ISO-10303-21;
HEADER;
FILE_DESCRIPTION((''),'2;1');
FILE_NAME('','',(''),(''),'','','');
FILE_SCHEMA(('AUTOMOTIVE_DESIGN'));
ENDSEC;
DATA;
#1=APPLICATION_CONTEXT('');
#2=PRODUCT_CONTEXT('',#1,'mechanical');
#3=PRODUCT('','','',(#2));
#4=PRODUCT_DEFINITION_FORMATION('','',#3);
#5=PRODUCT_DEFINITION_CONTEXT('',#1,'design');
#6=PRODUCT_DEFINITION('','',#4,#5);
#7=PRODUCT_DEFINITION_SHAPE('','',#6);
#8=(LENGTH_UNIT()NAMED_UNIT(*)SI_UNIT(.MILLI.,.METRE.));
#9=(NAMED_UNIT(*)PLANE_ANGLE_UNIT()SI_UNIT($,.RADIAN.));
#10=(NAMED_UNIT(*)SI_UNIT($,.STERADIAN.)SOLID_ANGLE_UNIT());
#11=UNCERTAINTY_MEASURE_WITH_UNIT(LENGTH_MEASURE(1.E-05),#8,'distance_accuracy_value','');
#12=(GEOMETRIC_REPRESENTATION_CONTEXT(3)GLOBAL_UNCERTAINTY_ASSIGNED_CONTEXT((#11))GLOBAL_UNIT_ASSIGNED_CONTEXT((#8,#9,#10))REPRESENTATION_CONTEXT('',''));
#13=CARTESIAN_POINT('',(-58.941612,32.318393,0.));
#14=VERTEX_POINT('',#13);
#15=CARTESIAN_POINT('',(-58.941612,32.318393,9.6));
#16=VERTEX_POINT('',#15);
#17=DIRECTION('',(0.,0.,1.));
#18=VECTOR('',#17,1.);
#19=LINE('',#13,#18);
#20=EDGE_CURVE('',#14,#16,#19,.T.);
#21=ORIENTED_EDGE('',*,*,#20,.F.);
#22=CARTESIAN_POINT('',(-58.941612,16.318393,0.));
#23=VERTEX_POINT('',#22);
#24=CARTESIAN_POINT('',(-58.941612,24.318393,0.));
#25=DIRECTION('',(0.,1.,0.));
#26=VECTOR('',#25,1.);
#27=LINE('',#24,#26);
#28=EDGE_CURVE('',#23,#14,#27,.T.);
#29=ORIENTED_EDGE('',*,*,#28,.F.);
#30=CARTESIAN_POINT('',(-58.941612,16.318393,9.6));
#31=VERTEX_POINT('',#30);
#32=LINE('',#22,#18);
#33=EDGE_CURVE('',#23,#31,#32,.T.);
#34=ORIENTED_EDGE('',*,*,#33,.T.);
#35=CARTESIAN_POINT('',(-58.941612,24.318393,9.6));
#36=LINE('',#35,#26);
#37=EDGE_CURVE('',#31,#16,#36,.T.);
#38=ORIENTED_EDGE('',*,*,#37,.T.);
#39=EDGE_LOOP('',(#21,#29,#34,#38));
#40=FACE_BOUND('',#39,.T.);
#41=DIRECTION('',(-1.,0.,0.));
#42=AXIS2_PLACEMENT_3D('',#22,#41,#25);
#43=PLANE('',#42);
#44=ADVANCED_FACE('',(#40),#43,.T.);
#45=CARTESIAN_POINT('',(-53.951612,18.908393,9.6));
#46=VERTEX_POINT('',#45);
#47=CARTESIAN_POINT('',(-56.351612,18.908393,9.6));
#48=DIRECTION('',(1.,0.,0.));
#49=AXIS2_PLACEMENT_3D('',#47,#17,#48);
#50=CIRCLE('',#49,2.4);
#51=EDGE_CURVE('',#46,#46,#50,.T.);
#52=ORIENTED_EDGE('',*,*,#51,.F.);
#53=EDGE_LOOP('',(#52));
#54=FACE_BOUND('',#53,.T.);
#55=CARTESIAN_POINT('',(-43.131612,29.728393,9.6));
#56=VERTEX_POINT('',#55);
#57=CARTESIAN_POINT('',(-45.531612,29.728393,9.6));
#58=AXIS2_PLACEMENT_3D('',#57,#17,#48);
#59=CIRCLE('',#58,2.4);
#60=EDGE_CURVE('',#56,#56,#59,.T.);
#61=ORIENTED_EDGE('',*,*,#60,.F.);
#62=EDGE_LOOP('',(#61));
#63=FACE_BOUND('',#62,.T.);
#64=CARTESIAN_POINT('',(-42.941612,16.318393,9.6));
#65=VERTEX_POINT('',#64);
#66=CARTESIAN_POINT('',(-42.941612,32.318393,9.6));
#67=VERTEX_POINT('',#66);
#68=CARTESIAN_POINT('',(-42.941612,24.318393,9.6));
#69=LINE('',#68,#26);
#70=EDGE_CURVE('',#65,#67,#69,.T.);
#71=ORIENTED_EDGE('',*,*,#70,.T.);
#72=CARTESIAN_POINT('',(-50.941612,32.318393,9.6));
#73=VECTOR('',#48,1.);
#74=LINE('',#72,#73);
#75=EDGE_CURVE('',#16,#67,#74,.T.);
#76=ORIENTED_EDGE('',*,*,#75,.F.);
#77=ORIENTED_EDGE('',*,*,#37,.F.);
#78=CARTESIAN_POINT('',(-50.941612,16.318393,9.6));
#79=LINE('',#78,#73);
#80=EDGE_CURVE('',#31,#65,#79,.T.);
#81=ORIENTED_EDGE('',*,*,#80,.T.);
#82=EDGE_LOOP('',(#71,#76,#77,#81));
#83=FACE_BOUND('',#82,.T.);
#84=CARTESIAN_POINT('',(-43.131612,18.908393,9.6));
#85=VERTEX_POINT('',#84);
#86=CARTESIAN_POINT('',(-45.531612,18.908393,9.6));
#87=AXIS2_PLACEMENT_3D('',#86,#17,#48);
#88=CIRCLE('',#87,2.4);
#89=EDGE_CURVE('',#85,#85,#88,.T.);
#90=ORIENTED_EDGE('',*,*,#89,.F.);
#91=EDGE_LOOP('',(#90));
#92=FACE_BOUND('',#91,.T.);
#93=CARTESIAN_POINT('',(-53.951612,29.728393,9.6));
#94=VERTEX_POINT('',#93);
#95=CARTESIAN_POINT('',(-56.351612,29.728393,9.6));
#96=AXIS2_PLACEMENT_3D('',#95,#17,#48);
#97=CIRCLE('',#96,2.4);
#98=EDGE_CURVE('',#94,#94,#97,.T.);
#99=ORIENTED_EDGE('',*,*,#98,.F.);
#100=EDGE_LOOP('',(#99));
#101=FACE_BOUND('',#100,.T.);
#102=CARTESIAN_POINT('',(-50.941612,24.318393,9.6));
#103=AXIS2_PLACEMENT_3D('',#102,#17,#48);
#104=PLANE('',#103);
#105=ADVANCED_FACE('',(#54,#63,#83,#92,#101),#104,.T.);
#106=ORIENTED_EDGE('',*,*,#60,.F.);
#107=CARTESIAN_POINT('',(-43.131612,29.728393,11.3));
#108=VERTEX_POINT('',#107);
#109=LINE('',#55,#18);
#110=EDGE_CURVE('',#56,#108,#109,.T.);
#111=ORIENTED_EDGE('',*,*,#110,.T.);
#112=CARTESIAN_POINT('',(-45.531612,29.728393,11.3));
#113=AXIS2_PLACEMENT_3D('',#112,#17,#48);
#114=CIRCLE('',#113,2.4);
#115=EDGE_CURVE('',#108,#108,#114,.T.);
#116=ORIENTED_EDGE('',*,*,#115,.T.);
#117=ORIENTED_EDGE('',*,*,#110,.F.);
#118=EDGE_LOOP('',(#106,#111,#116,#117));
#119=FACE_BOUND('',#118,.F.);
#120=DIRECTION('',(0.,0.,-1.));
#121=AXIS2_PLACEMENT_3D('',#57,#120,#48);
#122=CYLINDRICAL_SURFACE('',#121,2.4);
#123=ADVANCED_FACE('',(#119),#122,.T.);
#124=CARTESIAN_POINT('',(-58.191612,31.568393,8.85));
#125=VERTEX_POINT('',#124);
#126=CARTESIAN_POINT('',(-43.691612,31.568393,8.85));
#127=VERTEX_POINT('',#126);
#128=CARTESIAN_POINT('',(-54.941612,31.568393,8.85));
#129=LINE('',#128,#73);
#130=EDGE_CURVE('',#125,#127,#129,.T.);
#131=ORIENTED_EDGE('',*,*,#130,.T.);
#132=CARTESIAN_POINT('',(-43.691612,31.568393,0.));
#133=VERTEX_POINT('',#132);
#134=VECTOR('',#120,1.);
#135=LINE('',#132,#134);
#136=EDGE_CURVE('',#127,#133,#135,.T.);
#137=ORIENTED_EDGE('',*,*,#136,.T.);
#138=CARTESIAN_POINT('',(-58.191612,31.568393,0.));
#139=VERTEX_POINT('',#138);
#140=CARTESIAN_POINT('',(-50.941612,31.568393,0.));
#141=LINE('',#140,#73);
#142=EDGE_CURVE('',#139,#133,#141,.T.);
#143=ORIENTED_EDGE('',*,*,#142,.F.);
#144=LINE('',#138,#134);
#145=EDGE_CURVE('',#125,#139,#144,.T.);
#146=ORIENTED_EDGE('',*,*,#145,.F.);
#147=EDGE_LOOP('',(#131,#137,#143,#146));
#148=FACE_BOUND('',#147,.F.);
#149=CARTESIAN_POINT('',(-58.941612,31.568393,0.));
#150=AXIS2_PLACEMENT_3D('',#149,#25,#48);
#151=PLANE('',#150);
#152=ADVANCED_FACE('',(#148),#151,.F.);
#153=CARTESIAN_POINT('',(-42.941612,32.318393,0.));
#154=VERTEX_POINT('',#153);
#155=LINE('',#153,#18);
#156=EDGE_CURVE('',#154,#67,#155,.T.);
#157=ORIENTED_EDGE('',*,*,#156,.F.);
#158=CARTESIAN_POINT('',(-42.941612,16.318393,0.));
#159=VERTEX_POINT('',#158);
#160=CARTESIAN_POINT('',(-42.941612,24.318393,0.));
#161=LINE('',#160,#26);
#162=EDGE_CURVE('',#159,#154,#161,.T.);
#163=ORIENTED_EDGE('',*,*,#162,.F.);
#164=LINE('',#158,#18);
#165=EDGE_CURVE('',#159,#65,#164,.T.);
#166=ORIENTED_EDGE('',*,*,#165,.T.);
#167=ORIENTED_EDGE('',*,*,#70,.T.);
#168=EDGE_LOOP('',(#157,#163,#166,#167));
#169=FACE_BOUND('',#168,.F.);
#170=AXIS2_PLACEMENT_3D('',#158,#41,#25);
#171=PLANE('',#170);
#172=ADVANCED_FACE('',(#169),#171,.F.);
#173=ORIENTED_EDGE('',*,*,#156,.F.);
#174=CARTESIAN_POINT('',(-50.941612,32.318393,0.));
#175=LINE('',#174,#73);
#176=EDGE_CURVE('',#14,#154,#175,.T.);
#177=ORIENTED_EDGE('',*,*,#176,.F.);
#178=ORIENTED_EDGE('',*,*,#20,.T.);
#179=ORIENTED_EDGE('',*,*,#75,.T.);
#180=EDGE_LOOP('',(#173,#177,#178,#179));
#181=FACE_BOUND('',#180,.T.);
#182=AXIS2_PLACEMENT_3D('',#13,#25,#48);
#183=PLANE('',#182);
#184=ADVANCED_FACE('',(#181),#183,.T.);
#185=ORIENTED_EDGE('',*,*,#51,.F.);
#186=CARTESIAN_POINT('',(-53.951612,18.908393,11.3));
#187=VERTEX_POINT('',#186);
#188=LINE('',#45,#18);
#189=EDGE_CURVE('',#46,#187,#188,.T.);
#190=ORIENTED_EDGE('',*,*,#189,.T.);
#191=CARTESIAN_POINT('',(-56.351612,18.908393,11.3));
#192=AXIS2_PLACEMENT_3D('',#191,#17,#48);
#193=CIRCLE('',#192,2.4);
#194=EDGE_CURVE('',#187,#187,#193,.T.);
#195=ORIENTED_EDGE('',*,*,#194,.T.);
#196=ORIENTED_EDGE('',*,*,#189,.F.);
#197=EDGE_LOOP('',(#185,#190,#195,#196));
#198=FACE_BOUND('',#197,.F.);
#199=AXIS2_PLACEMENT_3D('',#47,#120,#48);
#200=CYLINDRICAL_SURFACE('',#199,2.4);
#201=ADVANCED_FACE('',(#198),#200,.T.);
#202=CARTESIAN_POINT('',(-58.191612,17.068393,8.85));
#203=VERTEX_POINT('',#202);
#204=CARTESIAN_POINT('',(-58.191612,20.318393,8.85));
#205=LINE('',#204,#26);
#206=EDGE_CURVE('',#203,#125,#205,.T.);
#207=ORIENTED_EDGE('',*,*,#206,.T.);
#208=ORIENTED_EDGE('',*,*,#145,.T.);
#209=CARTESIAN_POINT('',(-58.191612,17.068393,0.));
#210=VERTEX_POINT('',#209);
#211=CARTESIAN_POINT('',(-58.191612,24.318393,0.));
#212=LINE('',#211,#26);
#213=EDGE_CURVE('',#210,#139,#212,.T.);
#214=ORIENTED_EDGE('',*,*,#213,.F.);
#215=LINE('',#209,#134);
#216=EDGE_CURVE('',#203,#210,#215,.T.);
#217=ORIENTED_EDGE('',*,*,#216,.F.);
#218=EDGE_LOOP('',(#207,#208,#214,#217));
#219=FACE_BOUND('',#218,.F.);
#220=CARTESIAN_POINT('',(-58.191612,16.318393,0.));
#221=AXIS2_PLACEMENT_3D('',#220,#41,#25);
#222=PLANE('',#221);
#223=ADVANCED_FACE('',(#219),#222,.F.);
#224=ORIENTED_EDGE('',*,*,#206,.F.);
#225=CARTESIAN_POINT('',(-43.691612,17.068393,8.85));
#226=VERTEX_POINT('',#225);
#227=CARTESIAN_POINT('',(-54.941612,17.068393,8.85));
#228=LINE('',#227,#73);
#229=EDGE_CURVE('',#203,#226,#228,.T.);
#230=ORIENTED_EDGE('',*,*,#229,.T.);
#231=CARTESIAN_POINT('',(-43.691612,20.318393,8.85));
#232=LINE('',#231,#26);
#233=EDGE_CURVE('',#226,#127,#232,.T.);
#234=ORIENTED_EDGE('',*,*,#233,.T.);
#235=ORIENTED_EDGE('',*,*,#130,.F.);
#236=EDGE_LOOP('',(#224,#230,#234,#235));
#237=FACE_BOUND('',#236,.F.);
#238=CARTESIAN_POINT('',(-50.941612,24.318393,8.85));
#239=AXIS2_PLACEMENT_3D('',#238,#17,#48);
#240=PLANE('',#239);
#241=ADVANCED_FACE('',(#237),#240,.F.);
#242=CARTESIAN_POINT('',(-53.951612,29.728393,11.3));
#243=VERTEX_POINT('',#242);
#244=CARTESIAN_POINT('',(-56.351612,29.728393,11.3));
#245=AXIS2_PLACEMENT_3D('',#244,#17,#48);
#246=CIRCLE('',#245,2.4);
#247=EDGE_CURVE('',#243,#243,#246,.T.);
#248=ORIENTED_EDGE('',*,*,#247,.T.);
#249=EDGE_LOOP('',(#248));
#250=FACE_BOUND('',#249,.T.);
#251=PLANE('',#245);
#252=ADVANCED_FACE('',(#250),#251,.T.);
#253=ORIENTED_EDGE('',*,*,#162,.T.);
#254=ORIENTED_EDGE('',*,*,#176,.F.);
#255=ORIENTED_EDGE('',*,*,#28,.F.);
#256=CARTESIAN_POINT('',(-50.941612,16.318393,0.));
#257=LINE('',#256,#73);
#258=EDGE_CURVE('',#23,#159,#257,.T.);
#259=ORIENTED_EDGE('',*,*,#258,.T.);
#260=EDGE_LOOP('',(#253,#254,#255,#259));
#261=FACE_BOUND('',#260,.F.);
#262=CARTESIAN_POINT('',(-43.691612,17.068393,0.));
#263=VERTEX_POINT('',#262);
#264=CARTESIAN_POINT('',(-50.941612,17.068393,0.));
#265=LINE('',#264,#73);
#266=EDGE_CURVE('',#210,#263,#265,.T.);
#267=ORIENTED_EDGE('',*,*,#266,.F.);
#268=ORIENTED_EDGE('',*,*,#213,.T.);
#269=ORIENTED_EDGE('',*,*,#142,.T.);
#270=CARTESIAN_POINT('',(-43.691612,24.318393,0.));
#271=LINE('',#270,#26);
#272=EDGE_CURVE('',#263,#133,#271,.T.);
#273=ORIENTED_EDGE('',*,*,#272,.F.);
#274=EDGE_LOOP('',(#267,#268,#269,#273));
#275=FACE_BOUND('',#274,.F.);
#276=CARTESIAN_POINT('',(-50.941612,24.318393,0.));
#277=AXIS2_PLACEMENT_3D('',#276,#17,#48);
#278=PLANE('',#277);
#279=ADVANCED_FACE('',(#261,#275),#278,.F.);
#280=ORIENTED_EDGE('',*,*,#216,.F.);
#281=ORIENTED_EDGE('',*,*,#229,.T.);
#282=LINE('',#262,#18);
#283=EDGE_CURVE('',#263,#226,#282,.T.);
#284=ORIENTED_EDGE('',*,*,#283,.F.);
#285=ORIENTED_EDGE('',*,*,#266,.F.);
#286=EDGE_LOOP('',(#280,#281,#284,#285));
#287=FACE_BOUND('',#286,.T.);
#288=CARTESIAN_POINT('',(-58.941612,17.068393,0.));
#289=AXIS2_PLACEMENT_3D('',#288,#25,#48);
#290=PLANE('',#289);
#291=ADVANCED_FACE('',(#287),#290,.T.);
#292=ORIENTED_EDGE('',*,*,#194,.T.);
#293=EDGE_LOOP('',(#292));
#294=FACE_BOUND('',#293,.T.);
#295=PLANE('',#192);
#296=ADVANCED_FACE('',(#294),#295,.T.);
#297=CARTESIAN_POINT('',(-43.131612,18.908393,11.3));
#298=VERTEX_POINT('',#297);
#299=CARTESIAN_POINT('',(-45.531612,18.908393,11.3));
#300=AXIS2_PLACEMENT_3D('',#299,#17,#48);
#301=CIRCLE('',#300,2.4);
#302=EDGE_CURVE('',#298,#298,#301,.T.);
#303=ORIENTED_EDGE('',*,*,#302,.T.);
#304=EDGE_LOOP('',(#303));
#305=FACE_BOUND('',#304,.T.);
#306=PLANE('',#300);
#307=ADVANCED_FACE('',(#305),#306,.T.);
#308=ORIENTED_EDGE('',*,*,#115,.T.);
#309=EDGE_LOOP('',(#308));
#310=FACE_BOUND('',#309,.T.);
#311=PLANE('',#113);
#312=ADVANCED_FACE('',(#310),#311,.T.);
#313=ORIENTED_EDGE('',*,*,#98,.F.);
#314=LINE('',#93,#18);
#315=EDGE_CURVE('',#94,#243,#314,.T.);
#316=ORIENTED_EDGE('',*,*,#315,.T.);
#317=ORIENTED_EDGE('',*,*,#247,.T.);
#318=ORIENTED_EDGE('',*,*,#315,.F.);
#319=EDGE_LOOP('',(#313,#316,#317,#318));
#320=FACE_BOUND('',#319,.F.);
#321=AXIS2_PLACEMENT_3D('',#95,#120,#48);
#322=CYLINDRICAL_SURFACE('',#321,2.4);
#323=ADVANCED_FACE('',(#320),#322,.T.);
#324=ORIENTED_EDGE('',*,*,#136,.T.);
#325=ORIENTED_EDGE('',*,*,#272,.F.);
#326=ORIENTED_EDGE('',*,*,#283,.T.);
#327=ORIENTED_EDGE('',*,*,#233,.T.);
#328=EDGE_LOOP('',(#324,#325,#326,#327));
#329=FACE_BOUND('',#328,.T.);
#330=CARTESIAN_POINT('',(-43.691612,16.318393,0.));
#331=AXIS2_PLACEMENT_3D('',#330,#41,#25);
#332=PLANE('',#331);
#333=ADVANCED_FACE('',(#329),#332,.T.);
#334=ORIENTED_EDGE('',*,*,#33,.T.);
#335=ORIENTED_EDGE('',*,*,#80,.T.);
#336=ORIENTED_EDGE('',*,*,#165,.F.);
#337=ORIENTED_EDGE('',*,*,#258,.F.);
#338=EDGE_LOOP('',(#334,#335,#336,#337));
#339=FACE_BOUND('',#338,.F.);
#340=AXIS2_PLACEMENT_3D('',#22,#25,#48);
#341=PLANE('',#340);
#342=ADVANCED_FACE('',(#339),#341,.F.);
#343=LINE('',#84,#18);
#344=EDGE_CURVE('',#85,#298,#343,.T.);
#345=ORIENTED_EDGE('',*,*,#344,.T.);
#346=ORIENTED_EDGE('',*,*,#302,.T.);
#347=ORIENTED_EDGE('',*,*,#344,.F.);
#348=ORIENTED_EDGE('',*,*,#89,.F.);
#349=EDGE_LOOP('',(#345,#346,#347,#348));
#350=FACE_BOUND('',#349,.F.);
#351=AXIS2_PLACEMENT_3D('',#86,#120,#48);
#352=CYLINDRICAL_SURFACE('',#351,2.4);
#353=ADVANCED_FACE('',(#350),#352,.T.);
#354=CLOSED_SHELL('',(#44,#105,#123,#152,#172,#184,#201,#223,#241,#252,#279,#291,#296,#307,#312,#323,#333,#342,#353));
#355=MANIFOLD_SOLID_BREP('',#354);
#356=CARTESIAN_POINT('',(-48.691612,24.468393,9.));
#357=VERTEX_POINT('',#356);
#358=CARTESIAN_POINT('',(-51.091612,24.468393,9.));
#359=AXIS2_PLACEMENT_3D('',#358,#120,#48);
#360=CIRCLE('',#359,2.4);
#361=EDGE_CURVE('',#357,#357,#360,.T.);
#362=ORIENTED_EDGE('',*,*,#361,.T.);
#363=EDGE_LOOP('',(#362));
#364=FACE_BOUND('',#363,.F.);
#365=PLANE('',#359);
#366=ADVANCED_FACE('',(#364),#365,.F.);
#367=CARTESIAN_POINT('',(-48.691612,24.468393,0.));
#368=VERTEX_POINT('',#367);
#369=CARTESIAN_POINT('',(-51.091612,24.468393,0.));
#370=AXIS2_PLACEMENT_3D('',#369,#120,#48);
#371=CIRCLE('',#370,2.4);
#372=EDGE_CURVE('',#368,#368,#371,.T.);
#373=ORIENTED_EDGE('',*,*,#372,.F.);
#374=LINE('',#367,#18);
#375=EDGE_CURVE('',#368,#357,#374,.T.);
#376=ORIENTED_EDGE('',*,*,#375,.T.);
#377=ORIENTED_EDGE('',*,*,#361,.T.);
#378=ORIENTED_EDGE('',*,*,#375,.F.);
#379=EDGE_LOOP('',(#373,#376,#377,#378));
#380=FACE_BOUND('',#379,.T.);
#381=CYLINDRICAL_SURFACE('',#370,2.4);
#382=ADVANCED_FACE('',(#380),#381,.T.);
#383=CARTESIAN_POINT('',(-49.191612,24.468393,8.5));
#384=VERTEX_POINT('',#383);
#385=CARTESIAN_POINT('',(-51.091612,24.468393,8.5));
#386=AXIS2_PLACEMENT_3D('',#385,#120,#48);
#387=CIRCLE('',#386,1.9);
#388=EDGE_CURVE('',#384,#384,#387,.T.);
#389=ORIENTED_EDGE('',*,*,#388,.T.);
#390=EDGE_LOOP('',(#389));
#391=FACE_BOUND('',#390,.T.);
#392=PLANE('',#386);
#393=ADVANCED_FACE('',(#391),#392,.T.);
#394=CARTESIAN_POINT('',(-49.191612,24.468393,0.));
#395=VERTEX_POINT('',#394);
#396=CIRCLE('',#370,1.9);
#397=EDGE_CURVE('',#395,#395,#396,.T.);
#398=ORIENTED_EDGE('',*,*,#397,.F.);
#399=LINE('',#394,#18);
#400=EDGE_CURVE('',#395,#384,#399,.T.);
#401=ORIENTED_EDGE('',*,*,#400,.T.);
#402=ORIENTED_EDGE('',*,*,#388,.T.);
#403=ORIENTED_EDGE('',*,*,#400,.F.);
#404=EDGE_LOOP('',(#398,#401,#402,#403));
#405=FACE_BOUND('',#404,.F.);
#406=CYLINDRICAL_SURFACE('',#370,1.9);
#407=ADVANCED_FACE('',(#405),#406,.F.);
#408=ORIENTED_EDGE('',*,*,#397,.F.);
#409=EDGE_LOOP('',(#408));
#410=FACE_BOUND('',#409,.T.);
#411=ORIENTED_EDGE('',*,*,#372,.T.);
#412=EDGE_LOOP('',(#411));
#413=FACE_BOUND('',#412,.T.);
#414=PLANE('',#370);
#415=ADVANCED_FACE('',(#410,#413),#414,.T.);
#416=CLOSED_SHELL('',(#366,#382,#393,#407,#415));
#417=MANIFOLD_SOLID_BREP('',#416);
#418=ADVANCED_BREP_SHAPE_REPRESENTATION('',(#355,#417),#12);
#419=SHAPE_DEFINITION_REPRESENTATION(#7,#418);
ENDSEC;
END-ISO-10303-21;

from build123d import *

# Parameters (mm, degrees)
F0_W      = 16
F0_H      = 16
F1_DEPTH  = 9.6
F3_T      = -0.75
F5_R      = 2.4
F6_DEPTH  = 9
F7_T      = -0.5
F8_R      = 2.4
F9_DEPTH  = 1.7
F10_R     = 2.4
F11_DEPTH = 1.7
F12_R     = 2.4
F13_DEPTH = 1.7
F14_R     = 2.4
F15_DEPTH = 1.7


with BuildPart() as f1:
    # F0 (on Top) → F1 (new body)
    with BuildSketch(Plane.XY):
        with Locations((-50.941612, 24.318393)):
            Rectangle(F0_W, F0_H)
    extrude(amount=F1_DEPTH)

    # F3
    f3_openings = [f1.faces().sort_by_distance(p)[0] for p in [
        (-50.941612, 24.318393, 0),
    ]]
    offset(amount=F3_T, openings=f3_openings)

    # F8 (on face) → F9 (join)
    with BuildSketch(Plane.XY.offset(9.6)):
        with Locations((-56.351612, 29.728393)):
            Circle(F8_R)
    extrude(amount=F9_DEPTH)

    # F10 (on face) → F11 (join)
    with BuildSketch(Plane.XY.offset(9.6)):
        with Locations((-45.531612, 29.728393)):
            Circle(F10_R)
    extrude(amount=F11_DEPTH)

    # F12 (on face) → F13 (join)
    with BuildSketch(Plane.XY.offset(9.6)):
        with Locations((-56.351612, 18.908393)):
            Circle(F12_R)
    extrude(amount=F13_DEPTH)

    # F14 (on face) → F15 (join)
    with BuildSketch(Plane.XY.offset(9.6)):
        with Locations((-45.531612, 18.908393)):
            Circle(F14_R)
    extrude(amount=F15_DEPTH)


with BuildPart() as f6:
    # F5 (on face) → F6 (new body)
    with BuildSketch(Plane(origin=(0, 0, 0), x_dir=(1, 0, 0), z_dir=(0, 0, -1))):
        with Locations((-51.091612, -24.468393)):
            Circle(F5_R)
    extrude(amount=-F6_DEPTH)

    # F7
    f7_openings = [f6.faces().sort_by_distance(p)[0] for p in [
        (-51.091612, 24.468393, 0),
    ]]
    offset(amount=F7_T, openings=f7_openings)


solid = Compound([f1.part, f6.part])
